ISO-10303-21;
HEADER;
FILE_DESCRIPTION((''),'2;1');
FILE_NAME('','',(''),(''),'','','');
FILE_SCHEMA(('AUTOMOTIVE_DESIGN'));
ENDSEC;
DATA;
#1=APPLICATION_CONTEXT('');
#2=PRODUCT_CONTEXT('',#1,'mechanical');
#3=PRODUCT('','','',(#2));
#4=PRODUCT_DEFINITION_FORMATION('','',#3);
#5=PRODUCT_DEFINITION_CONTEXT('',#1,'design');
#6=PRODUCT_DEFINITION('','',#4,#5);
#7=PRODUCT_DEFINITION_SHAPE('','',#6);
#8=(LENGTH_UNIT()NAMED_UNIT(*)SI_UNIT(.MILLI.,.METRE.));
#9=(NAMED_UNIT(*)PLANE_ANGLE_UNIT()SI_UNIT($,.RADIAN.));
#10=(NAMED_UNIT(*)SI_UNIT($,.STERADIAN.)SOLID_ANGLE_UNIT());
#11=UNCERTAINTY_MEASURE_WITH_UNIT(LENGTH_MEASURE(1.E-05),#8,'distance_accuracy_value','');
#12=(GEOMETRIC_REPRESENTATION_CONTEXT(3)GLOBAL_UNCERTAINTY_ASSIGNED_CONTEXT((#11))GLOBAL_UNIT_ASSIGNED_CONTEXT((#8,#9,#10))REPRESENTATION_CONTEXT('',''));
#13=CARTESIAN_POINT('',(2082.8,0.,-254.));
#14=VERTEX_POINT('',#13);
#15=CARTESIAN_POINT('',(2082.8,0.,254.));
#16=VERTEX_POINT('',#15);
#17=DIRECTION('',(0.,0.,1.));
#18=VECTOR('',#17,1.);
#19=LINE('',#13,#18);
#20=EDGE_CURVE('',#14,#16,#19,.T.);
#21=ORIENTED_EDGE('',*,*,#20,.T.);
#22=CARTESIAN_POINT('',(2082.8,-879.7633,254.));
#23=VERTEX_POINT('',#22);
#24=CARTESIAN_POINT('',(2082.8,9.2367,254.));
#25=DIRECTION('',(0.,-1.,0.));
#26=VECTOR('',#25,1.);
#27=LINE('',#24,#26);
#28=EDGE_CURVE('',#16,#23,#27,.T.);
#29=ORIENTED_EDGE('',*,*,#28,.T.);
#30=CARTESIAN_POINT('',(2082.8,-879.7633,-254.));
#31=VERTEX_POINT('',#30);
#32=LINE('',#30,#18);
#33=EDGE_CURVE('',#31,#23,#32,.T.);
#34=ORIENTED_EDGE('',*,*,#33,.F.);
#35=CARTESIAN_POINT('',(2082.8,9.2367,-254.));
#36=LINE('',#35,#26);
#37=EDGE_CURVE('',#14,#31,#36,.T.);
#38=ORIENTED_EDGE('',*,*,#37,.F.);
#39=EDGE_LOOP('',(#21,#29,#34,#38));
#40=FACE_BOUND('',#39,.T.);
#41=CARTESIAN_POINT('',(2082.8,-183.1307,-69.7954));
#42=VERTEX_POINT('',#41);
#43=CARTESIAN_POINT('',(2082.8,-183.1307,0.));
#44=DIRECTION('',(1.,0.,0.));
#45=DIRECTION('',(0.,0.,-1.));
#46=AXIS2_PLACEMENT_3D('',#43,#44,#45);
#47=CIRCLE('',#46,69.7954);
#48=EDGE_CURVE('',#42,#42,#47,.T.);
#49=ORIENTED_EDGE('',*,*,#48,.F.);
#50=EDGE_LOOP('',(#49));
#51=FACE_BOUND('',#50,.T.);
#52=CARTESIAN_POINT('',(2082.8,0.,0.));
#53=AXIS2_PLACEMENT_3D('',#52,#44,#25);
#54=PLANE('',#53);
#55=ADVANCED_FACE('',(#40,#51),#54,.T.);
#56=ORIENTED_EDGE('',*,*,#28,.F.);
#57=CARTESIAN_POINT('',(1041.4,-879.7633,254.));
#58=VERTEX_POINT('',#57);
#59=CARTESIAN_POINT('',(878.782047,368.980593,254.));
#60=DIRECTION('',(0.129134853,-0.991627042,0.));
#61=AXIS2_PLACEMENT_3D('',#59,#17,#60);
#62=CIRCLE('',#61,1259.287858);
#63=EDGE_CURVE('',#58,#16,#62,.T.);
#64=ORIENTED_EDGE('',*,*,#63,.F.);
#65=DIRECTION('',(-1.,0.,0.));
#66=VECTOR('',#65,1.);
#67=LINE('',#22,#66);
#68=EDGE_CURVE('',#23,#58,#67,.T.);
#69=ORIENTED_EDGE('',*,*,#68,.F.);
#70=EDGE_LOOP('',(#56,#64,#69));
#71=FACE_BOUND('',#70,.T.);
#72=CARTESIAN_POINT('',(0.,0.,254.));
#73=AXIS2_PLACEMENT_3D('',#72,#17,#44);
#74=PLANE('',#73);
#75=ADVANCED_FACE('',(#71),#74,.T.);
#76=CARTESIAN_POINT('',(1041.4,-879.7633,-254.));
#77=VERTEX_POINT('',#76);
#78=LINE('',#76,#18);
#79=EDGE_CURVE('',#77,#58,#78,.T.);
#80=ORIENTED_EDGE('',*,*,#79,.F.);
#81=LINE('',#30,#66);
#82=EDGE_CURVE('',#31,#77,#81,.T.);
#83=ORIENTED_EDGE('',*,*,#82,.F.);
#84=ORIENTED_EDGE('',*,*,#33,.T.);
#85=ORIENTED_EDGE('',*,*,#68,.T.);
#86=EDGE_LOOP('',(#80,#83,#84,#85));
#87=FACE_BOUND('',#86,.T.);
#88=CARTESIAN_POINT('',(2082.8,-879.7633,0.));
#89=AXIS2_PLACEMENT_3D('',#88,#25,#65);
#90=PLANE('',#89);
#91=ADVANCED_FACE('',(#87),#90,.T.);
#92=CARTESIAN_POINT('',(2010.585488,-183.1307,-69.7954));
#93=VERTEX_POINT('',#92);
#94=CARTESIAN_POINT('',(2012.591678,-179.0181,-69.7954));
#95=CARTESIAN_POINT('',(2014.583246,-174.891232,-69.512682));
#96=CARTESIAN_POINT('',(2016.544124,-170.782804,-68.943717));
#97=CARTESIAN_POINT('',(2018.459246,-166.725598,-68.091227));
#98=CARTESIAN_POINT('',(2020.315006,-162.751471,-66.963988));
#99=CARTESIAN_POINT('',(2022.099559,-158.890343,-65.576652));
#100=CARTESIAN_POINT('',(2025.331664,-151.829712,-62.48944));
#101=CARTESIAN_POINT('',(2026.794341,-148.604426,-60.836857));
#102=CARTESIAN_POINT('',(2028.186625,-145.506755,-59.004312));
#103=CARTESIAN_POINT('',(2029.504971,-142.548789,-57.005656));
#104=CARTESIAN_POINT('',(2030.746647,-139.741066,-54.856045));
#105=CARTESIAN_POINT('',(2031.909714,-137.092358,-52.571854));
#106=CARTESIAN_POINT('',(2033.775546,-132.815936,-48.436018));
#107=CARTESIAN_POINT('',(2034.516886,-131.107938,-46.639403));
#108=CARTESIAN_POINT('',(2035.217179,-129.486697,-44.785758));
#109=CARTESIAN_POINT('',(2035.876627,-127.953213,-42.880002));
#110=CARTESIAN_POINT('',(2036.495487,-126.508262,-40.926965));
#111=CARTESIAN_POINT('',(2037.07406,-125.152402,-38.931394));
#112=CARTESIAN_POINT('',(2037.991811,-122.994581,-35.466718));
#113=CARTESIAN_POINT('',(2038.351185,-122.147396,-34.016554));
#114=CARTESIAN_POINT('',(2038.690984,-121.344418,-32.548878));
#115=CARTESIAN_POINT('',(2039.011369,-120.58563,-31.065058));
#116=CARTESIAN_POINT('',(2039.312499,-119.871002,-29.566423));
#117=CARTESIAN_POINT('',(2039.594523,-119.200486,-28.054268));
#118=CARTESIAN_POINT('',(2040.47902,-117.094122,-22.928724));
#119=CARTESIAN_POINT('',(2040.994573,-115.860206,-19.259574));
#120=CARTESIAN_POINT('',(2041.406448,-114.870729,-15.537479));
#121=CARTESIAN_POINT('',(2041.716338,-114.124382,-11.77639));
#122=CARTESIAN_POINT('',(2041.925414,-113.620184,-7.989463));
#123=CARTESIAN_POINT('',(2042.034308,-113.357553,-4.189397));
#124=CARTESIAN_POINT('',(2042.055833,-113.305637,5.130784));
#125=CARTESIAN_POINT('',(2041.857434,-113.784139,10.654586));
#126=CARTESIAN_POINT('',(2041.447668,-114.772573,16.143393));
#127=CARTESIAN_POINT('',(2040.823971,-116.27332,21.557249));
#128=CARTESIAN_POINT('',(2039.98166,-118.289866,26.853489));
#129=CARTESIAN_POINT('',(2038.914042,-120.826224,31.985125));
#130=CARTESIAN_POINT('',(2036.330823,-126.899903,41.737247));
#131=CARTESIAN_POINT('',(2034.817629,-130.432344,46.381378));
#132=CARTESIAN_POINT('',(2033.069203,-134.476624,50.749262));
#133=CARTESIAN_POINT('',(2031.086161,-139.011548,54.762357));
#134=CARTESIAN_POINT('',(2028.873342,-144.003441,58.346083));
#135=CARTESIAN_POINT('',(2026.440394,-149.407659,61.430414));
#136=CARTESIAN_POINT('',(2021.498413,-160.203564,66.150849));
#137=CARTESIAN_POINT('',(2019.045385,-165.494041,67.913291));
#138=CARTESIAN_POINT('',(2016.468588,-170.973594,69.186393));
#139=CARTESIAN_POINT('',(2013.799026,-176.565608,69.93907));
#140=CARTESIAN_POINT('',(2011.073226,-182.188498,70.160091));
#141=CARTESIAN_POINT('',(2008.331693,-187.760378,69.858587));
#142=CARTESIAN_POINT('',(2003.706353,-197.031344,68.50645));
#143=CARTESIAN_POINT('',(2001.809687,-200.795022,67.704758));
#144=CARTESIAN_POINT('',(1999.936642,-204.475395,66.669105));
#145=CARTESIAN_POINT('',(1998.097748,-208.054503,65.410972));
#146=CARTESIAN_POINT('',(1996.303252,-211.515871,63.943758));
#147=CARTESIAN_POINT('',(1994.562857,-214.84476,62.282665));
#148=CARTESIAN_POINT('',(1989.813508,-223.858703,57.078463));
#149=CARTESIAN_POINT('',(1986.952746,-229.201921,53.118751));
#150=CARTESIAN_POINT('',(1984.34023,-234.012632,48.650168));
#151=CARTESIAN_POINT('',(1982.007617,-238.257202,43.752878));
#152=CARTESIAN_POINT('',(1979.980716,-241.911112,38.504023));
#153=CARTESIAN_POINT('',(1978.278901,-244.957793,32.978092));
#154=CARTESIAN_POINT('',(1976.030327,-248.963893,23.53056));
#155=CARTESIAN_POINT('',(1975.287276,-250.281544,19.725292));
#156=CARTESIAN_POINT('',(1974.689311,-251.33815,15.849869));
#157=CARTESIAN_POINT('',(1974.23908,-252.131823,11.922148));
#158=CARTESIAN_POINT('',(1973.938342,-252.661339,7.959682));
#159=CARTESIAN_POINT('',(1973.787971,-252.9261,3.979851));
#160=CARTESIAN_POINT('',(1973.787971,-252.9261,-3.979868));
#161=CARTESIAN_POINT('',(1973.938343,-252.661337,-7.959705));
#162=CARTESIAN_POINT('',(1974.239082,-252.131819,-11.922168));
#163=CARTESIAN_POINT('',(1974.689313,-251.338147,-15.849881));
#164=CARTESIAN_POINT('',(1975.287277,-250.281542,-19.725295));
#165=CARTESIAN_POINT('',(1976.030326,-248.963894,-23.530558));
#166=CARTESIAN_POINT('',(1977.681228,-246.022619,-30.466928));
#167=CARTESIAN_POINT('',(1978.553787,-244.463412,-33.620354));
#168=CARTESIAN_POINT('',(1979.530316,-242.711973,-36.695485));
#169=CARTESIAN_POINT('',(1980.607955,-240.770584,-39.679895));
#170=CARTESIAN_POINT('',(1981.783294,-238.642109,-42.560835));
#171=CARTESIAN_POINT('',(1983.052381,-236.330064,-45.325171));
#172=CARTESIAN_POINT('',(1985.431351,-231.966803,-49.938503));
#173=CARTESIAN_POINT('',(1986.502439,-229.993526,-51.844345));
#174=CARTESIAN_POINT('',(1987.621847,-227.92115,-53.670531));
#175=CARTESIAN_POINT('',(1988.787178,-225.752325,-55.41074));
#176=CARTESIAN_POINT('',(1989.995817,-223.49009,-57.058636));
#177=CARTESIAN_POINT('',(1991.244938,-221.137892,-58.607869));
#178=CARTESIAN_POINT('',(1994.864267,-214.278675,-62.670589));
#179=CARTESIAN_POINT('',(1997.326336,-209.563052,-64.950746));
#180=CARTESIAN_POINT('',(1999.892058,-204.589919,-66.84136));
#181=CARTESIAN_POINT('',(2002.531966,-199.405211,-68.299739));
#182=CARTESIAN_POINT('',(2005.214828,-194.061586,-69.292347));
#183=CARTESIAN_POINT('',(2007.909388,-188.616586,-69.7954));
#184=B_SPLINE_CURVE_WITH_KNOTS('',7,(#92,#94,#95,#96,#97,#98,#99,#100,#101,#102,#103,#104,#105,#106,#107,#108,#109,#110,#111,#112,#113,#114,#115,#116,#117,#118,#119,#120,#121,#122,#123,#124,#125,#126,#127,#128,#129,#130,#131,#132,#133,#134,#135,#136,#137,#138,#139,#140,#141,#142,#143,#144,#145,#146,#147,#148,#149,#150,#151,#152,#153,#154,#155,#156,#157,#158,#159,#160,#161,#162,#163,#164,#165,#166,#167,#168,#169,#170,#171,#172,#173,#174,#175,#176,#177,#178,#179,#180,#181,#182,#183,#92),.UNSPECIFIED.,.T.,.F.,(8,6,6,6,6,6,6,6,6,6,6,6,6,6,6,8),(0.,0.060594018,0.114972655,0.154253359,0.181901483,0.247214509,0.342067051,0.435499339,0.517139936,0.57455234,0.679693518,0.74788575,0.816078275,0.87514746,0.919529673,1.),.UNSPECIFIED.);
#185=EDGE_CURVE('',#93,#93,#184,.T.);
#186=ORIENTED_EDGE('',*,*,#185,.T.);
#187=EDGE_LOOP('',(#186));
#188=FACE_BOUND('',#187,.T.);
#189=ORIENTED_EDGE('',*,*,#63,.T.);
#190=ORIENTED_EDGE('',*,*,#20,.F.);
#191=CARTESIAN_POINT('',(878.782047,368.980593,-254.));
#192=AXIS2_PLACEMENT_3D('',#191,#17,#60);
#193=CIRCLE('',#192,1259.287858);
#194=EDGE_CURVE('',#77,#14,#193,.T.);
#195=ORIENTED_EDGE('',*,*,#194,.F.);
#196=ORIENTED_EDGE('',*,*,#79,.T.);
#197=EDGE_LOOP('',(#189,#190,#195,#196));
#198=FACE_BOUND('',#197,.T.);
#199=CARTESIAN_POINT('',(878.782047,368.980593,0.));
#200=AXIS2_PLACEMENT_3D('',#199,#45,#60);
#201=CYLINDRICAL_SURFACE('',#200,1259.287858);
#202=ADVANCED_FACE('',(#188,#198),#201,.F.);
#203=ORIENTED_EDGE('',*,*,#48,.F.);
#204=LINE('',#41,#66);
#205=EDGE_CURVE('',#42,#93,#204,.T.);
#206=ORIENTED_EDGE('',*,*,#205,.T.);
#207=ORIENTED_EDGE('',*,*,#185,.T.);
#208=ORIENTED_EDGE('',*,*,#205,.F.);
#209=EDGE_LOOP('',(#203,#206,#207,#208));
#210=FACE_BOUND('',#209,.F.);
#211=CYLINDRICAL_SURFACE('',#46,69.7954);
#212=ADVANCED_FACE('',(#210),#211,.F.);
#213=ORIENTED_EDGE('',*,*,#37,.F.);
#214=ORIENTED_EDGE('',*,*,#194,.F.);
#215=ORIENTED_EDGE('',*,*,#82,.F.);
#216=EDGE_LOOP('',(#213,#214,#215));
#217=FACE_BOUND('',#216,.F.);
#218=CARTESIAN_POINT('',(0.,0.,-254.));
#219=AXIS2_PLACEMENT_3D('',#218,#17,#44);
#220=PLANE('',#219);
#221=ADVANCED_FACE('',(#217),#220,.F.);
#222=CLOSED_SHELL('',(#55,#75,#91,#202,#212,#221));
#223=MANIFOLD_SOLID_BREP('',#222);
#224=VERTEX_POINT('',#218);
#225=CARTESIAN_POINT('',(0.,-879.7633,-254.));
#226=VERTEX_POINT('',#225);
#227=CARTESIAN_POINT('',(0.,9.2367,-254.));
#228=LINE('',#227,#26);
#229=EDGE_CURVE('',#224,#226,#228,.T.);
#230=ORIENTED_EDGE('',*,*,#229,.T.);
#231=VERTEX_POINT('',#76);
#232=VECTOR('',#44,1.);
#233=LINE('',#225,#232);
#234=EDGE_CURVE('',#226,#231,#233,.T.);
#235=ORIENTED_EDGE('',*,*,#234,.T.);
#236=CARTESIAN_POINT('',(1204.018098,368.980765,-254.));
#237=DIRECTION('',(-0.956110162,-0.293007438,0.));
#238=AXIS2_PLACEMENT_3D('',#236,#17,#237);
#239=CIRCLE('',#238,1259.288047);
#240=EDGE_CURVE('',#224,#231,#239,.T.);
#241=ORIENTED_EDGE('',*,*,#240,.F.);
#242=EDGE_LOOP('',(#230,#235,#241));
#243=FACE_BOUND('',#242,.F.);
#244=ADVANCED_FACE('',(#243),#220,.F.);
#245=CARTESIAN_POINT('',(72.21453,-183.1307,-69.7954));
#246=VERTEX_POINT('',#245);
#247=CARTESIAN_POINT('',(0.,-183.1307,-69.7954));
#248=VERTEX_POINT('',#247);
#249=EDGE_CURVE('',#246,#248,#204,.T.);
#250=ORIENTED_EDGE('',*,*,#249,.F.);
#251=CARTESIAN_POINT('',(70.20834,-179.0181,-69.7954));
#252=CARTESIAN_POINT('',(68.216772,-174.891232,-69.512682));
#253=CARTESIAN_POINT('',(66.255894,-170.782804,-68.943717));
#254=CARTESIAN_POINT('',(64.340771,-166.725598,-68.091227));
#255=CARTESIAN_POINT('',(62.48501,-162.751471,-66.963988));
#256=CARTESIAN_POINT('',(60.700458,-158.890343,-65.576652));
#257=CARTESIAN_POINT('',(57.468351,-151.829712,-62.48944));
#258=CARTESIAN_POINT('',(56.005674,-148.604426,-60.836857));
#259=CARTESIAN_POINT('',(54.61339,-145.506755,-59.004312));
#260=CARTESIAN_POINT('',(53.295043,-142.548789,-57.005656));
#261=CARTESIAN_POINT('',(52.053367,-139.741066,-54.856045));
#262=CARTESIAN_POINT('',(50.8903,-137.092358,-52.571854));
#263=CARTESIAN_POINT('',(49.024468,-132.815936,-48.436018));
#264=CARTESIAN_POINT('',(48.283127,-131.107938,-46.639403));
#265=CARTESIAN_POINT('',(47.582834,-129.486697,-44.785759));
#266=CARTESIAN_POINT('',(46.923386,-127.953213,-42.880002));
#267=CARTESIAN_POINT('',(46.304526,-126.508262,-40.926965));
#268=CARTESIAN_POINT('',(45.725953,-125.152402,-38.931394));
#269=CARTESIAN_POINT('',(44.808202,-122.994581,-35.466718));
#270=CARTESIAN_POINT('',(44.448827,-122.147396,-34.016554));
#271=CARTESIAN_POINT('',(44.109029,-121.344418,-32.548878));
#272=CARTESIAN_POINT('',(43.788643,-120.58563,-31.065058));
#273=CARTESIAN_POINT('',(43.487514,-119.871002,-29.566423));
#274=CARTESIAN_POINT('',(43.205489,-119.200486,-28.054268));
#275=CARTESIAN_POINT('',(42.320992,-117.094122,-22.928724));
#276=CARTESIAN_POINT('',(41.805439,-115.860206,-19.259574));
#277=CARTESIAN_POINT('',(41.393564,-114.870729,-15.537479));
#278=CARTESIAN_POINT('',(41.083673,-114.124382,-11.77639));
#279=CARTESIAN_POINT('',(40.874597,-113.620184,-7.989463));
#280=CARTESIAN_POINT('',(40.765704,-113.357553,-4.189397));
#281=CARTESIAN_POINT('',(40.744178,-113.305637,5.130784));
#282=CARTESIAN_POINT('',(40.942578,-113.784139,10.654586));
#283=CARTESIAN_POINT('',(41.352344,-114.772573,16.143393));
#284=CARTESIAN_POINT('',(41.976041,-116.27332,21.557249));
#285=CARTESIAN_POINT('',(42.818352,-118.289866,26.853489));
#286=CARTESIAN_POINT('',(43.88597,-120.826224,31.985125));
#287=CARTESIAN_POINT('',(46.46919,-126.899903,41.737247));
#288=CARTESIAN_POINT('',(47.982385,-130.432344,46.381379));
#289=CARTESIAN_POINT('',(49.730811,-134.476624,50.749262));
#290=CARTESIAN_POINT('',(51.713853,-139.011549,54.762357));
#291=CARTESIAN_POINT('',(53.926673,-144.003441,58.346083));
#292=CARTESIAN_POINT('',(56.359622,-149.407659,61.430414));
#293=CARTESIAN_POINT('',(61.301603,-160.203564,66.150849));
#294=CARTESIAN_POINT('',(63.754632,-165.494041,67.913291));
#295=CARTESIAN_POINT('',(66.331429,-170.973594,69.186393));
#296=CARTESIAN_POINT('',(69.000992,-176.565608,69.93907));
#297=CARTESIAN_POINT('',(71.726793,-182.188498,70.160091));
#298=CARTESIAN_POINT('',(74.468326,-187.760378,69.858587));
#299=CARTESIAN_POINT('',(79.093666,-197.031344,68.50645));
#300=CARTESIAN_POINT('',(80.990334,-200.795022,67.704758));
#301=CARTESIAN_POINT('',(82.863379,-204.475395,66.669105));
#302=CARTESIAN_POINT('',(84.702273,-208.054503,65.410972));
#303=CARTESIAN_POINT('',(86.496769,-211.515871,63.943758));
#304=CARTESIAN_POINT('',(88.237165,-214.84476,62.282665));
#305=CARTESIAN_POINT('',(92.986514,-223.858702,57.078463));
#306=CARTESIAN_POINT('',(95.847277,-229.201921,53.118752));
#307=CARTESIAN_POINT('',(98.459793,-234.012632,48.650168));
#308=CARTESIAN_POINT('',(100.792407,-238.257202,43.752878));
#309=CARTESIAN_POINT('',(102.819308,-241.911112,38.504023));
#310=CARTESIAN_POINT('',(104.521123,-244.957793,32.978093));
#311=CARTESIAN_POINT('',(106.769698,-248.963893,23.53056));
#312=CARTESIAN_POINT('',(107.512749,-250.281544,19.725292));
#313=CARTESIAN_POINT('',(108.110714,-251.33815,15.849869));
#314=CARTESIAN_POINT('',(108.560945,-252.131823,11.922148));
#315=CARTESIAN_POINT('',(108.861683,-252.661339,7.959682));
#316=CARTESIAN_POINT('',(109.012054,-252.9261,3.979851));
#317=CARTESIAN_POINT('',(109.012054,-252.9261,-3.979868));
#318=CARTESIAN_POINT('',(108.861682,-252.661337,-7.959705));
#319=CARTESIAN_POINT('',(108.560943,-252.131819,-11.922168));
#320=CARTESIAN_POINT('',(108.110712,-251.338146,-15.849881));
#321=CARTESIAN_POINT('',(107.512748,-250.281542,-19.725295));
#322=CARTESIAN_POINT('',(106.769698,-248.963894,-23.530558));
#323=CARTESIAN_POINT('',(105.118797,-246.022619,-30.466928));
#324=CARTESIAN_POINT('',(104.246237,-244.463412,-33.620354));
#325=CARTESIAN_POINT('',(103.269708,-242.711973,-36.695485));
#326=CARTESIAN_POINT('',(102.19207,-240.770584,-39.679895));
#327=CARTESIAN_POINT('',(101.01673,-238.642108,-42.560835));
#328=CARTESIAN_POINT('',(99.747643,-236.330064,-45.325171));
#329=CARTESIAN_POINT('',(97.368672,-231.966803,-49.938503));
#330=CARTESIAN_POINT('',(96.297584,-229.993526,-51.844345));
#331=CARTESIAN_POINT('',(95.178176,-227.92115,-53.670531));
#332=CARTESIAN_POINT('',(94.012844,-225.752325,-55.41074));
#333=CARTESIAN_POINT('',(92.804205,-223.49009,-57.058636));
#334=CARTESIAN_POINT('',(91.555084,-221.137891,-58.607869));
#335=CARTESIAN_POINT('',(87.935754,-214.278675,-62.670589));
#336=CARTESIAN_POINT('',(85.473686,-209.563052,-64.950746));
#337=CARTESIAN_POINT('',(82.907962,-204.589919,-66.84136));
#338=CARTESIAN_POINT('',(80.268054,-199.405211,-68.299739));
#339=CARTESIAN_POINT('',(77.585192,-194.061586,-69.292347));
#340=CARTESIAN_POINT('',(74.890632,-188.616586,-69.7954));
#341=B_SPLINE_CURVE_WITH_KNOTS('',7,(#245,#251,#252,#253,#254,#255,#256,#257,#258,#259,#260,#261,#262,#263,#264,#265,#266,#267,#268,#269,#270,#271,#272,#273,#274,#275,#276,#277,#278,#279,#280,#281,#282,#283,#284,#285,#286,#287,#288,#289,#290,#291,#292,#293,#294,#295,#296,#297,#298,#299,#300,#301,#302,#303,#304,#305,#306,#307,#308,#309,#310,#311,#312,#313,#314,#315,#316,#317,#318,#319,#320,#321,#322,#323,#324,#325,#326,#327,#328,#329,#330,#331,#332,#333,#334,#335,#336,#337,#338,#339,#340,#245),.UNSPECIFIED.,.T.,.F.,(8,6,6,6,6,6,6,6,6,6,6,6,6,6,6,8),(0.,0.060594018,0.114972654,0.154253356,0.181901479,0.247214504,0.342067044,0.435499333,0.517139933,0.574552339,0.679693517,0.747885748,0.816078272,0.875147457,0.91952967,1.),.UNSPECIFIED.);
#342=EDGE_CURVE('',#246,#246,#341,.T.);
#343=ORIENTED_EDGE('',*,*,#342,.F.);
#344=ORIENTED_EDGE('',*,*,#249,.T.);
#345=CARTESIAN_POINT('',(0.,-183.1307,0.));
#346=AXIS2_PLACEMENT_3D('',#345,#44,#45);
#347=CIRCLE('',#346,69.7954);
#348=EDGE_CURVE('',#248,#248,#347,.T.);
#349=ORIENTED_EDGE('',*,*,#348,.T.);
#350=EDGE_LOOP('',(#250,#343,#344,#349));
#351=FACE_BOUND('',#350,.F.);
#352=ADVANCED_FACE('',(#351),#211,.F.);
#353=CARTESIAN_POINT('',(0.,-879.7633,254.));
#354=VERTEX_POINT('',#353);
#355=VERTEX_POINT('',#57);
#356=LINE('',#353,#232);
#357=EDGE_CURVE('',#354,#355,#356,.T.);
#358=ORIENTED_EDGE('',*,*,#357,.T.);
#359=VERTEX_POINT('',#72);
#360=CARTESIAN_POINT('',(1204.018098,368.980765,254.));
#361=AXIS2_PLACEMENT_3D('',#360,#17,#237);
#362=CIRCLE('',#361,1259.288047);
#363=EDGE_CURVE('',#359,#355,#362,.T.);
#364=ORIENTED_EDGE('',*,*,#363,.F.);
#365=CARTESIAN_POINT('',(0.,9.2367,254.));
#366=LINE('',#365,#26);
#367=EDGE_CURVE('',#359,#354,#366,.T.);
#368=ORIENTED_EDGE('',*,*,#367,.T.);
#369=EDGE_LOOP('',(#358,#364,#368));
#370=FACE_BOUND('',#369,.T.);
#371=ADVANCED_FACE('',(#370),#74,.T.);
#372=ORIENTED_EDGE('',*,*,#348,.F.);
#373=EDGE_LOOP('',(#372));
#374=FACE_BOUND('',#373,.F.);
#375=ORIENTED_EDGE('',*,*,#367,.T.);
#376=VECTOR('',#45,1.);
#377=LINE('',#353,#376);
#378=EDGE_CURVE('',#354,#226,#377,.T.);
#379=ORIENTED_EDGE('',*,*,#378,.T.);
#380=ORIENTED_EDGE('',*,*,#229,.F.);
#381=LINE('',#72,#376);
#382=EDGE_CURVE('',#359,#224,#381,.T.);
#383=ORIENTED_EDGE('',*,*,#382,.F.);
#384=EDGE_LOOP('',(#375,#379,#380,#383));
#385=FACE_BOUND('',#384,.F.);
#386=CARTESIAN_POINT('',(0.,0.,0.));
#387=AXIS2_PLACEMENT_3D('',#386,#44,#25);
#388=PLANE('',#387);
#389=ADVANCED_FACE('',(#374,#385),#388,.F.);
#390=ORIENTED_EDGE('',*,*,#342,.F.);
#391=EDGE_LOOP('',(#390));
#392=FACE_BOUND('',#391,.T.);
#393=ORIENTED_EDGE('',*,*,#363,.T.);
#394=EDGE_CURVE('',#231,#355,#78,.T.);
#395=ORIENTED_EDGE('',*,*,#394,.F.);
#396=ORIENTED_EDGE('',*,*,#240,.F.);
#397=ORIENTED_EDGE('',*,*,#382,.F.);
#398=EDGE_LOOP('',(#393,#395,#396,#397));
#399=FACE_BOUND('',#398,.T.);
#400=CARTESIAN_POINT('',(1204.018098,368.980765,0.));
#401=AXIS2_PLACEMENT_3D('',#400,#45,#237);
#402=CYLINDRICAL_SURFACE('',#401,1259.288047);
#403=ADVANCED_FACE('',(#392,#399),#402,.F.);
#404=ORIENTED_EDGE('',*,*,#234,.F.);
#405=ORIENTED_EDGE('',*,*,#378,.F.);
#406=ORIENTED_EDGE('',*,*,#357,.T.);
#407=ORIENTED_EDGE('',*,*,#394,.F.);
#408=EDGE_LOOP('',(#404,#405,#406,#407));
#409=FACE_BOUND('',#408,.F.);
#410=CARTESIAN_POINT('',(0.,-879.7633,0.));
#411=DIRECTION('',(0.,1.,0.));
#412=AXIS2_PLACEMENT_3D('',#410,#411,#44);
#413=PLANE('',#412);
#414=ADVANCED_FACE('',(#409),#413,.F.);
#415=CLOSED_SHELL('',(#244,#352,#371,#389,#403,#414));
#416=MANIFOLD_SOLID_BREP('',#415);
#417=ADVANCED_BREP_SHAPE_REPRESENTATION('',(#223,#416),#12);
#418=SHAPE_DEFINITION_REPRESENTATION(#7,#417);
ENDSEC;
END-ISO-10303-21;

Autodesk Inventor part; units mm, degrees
ref_plane "YZ Plane" through (0, 0, 0) normal (1, 0, 0) x (0, 1, 0)
ref_plane "XZ Plane" through (0, 0, 0) normal (0, 1, 0) x (-1, 0, 0)
ref_plane "XY Plane" through (0, 0, 0) normal (0, 0, 1) x (1, 0, 0)
sketch "Sketch1" plane through (0, 0, 0) normal (0, 0, 1) x (1, 0, 0)
  line L0 (2082.8, 9.2367) -> (2082.8, -879.7633)
  line L1 (2082.8, -879.7633) -> (1041.4, -879.7633)
  line L2 (1041.4, -879.7633) -> (1041.4, 9.2367) construction
  arc A0 (1041.4, -879.7633) -> (2082.8, 0) centre (878.782, 368.9807) ccw
  line L3 (0, 9.2367) -> (0, -879.7633)
  line L4 (0, -879.7633) -> (1041.4, -879.7633)
  arc A1 (0, 0) -> (1041.4, -879.7633) centre (1204.018, 368.9807) ccw
  point P0 (0, 0)
extrude "Extrusion1" add sketch "Sketch1" along normal mid plane 508
sketch "Sketch2" plane through (2082.8, -879.7633, 254) normal (1, 0, 0) x (0, 0, -1)
  circle A0 centre (254, 696.6326) radius 69.7954
  point P0 (254, 879.7633)
extrude "Extrusion2" cut sketch "Sketch2" against normal blind 2381.25
properties part number "stand111"
